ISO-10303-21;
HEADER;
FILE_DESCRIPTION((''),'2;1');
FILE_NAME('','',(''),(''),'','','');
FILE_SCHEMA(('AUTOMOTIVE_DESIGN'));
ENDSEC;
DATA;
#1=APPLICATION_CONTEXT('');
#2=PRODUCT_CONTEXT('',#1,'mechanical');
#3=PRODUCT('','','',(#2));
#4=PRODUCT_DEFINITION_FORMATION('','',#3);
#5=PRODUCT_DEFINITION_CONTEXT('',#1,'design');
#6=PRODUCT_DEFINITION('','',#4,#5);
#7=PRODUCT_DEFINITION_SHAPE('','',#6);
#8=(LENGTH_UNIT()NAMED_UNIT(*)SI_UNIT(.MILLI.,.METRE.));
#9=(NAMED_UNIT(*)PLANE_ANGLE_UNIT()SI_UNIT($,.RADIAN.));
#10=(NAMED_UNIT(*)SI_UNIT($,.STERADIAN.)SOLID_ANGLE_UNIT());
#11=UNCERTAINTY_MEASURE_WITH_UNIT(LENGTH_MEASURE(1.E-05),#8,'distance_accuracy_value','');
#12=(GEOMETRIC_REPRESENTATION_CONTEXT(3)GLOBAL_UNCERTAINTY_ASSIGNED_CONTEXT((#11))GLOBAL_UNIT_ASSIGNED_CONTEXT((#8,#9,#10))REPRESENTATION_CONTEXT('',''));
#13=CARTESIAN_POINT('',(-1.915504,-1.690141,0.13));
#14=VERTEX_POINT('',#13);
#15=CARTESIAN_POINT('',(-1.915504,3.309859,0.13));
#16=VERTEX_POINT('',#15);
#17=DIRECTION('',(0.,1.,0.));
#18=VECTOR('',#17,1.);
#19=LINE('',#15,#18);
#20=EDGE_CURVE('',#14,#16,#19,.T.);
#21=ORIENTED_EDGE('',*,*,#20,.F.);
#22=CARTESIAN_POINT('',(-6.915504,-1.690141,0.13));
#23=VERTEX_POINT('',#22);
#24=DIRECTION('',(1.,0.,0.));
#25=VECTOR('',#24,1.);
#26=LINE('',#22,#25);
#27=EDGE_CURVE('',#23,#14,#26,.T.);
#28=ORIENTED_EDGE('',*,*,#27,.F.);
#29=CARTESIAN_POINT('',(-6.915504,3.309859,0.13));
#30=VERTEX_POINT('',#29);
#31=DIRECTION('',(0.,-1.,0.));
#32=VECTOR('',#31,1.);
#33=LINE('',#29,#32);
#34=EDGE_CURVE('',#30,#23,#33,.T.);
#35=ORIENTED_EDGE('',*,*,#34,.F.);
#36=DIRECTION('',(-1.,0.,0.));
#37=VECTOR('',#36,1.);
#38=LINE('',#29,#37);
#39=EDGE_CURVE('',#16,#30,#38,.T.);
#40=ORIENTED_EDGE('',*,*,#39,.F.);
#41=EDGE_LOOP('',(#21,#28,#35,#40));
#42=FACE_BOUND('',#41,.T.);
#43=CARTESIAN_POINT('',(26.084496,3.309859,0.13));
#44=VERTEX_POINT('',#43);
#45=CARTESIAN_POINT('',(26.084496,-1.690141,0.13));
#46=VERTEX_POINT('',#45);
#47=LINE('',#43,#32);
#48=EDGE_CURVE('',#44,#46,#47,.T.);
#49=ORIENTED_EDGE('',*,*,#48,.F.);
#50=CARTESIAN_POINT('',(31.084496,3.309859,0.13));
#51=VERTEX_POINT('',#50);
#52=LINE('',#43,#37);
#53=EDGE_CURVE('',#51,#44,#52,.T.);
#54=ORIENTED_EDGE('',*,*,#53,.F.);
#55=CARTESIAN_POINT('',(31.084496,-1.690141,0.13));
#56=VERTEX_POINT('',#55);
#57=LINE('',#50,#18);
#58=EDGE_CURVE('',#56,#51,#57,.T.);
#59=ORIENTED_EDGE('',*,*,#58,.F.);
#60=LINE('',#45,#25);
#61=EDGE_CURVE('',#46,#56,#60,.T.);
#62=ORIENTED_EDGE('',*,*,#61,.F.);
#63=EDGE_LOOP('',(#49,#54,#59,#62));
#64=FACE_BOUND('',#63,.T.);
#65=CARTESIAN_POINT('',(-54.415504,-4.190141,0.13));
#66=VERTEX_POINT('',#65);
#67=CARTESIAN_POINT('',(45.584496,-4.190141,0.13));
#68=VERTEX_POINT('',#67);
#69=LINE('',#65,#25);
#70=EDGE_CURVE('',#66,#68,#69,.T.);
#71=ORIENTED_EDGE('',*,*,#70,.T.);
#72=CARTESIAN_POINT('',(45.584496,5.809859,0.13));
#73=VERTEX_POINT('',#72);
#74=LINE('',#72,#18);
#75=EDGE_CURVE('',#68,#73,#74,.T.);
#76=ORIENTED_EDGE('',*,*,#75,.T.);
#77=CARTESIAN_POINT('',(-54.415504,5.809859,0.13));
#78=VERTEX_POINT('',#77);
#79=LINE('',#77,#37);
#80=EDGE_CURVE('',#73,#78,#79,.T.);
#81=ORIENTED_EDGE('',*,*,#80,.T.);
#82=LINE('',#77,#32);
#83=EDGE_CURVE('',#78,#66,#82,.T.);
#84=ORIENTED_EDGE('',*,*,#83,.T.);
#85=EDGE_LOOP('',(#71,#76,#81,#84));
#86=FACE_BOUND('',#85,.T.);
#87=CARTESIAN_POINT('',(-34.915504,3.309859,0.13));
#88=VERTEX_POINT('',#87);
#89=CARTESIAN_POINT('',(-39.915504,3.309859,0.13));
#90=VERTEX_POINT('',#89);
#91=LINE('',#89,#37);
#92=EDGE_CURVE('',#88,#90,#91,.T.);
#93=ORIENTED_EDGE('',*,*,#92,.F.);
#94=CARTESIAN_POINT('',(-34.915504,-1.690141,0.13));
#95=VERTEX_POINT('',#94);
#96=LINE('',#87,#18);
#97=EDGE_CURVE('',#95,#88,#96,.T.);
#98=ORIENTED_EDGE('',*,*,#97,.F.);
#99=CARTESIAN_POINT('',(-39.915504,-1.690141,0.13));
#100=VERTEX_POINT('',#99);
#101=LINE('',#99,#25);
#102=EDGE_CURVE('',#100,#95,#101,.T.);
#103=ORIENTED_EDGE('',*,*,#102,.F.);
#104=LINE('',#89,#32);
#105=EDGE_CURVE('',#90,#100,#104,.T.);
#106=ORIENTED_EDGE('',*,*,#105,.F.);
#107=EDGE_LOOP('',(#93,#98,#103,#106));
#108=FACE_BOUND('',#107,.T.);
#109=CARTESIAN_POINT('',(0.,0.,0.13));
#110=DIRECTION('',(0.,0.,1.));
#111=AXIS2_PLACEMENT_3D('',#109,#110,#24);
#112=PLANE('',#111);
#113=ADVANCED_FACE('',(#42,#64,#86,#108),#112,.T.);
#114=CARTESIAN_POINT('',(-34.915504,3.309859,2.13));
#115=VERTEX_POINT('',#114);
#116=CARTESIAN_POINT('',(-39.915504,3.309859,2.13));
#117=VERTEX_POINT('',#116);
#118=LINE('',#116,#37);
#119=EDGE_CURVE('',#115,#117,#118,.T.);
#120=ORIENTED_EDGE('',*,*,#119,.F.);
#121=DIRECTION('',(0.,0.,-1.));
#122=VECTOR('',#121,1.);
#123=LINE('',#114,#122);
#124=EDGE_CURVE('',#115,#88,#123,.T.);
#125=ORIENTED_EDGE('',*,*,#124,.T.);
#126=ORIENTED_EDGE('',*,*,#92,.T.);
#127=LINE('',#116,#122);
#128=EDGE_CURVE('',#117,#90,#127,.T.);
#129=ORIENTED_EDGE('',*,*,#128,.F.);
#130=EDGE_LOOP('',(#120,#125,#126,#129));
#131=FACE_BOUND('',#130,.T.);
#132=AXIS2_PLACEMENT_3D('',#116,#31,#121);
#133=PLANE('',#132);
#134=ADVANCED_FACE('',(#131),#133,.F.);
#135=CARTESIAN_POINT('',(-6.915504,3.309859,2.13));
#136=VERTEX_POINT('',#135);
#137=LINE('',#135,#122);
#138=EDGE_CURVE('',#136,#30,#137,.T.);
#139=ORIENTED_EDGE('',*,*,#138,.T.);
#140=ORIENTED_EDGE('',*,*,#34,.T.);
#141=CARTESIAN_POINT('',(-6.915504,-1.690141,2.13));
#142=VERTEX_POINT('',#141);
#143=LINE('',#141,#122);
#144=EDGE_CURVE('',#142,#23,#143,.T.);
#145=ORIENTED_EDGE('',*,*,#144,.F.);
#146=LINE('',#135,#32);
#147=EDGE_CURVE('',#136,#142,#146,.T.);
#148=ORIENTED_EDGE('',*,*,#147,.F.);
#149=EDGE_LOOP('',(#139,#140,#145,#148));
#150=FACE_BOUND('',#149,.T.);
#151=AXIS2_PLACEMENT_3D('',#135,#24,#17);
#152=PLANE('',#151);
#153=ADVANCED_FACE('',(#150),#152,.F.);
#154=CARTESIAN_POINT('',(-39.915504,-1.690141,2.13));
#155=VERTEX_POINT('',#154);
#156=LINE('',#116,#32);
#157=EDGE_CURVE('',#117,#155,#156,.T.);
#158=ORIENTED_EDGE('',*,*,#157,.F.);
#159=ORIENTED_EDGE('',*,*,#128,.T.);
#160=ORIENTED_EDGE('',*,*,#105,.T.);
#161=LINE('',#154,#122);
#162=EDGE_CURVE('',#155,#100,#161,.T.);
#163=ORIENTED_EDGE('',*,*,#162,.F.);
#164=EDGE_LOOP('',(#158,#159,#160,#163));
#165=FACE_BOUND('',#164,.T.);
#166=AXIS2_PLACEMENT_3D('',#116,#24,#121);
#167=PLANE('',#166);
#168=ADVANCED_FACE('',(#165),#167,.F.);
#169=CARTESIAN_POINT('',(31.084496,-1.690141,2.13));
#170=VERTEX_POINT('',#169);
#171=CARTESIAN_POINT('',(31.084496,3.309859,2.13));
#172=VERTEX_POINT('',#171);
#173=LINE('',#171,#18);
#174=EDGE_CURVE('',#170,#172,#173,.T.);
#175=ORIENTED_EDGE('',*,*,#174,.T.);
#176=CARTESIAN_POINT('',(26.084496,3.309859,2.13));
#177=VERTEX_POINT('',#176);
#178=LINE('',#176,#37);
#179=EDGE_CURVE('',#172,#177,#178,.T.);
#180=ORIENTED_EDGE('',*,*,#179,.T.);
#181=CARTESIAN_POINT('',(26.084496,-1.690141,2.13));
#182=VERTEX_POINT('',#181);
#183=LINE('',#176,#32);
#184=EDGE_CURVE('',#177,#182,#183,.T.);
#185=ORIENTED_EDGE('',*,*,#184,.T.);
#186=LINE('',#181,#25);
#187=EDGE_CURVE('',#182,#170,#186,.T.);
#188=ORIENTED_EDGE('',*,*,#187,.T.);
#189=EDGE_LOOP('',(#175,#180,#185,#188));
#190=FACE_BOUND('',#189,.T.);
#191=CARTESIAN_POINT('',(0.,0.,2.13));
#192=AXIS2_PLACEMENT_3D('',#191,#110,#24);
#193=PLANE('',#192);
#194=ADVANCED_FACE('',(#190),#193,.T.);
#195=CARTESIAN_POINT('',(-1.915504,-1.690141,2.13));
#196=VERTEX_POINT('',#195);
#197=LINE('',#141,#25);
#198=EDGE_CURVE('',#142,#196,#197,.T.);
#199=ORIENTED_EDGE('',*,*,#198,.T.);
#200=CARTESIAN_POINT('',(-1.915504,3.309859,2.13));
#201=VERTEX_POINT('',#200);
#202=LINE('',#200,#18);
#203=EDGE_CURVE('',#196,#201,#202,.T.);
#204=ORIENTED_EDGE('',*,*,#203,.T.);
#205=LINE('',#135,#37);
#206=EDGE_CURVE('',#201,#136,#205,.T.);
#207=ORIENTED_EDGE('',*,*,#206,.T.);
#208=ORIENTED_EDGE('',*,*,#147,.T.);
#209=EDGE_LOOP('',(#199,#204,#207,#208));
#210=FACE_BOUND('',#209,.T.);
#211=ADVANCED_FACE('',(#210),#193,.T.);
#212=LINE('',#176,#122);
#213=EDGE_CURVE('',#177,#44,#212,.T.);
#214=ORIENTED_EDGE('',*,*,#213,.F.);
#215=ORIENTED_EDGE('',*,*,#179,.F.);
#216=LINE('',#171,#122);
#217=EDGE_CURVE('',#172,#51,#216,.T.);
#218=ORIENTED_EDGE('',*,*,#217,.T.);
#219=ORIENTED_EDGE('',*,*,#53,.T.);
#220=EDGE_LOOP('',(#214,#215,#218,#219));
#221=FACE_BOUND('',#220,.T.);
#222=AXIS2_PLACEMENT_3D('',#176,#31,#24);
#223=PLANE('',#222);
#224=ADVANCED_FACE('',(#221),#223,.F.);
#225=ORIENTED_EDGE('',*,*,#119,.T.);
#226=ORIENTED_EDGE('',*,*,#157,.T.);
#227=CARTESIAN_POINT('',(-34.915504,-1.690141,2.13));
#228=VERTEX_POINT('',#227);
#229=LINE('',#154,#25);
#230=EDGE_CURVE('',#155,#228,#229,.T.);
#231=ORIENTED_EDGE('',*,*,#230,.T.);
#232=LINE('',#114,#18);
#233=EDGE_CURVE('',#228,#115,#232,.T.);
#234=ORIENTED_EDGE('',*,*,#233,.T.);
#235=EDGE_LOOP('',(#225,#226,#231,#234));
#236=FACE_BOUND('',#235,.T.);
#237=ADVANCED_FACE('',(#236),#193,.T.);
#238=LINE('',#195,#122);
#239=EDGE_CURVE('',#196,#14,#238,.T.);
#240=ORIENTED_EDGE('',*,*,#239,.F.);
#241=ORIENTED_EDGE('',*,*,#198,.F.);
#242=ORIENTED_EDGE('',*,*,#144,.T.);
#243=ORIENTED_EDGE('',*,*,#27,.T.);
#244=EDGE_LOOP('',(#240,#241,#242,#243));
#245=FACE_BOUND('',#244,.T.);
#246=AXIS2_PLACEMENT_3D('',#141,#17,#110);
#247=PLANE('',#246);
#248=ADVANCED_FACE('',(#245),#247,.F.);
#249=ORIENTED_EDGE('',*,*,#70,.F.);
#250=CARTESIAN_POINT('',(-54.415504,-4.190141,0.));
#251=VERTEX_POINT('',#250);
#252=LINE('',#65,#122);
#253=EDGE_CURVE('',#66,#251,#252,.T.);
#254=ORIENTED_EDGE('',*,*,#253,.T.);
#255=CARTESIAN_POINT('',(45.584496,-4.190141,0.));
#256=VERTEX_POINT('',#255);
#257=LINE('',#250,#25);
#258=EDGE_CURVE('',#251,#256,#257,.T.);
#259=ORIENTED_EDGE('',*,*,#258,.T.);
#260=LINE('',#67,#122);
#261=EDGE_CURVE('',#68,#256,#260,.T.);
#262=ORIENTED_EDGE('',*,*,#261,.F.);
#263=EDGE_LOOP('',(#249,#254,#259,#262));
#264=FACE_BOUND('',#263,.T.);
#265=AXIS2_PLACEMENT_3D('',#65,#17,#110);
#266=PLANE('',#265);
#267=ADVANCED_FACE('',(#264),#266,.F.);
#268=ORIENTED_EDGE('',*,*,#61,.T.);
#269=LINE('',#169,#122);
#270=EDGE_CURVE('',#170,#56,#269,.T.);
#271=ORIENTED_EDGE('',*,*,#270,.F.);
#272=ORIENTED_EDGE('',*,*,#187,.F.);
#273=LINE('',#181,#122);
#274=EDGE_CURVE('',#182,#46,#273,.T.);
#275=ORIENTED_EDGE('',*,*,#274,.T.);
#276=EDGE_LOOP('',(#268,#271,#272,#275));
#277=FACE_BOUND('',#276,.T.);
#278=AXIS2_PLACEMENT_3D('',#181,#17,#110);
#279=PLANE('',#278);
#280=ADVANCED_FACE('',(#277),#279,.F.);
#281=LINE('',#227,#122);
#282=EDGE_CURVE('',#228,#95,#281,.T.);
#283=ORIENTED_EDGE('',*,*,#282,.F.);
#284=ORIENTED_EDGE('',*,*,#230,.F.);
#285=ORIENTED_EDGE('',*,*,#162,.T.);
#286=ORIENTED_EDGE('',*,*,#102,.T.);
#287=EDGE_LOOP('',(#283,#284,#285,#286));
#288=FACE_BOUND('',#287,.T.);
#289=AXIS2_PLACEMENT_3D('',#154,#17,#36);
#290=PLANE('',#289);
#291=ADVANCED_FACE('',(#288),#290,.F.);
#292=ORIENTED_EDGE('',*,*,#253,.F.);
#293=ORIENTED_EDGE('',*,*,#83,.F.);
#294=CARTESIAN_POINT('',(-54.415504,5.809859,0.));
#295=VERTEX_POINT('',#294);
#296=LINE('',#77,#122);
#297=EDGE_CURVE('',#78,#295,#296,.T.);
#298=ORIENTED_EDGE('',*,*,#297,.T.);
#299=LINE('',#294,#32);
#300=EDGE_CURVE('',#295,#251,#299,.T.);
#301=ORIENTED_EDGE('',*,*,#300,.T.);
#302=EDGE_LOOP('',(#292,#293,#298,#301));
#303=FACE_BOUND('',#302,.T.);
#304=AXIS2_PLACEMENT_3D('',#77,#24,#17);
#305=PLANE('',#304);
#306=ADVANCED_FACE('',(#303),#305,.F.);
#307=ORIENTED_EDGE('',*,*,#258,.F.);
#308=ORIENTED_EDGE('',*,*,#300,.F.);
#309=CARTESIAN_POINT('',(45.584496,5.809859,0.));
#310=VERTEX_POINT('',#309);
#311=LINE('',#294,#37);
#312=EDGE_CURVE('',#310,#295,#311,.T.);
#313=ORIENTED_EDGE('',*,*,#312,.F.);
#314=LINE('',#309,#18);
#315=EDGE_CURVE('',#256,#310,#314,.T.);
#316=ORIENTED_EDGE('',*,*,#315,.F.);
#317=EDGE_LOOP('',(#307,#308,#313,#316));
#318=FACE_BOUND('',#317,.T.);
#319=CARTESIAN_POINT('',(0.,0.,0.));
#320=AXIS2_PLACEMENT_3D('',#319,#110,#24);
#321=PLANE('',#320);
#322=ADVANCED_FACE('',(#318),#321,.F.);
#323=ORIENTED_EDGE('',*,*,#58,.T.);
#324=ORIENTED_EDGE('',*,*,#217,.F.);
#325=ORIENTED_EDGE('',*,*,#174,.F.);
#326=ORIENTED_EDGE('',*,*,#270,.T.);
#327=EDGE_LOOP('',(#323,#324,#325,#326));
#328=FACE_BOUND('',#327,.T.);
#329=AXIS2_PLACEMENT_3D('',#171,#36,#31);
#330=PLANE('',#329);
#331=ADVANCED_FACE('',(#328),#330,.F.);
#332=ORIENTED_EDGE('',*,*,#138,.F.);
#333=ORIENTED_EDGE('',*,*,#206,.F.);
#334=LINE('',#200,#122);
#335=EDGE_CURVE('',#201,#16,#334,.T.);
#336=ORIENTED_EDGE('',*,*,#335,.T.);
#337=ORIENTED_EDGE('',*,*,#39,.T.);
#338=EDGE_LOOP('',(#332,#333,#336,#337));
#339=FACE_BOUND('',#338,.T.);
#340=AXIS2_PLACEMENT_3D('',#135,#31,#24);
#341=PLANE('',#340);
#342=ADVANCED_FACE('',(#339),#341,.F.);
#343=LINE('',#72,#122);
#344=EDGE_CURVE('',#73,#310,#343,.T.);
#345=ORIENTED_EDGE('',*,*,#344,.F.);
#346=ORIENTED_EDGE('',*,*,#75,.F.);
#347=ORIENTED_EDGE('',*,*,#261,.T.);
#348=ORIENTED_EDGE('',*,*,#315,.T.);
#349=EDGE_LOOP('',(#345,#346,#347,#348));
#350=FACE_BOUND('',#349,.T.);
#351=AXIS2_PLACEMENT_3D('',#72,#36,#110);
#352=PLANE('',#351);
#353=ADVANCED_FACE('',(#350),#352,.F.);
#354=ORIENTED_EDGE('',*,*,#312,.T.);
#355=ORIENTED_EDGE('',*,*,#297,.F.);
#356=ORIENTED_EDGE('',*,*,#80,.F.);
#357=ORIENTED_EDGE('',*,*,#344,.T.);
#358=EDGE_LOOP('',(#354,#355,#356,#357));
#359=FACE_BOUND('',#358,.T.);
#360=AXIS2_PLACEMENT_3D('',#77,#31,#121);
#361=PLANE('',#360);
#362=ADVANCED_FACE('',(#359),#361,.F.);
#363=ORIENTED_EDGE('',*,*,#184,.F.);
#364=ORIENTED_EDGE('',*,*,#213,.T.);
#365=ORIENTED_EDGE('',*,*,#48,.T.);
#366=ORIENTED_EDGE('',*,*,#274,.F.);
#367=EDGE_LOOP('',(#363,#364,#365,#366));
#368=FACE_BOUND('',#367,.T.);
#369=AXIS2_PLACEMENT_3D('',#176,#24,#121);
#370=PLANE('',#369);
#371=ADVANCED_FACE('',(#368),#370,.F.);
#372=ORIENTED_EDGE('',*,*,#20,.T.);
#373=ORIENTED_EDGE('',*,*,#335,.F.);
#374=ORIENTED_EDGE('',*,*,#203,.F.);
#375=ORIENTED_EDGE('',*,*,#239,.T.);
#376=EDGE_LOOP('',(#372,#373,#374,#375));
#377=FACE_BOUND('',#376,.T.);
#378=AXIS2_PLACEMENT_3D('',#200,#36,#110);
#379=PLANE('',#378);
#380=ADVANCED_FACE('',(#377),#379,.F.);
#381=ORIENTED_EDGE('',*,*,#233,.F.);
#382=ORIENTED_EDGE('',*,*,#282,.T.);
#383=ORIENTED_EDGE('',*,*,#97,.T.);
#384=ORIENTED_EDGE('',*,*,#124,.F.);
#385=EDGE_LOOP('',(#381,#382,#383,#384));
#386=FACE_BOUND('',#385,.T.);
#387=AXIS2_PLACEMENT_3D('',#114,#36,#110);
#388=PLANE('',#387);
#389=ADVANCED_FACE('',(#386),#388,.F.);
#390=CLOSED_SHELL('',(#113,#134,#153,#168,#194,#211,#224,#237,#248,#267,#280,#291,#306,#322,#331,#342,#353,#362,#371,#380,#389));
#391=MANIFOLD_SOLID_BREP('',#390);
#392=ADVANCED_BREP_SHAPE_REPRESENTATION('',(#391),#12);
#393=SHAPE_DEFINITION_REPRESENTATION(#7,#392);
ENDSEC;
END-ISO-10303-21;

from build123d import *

# Parameters (mm, degrees)
CROQUIS1_W              = 100
CROQUIS1_H              = 10
SALIENTE_EXTRUIR1_DEPTH = 0.13
CROQUIS2_W              = 5
CROQUIS2_H              = 5
SALIENTE_EXTRUIR2_DEPTH = 2


with BuildPart() as part:
    # Croquis1 → Saliente-Extruir1 (new body)
    with BuildSketch(Plane.XY):
        with Locations((-4.415504013, 0.809859155)):
            Rectangle(CROQUIS1_W, CROQUIS1_H)
    extrude(amount=SALIENTE_EXTRUIR1_DEPTH)

    # Croquis2 → Saliente-Extruir2 (add)
    with BuildSketch(Plane.XY.offset(0.13)):
        with Locations((-37.415504013, 0.809859155)):
            Rectangle(CROQUIS2_W, CROQUIS2_H)
        with Locations((-4.415504013, 0.809859155)):
            Rectangle(CROQUIS2_W, CROQUIS2_H)
        with Locations((28.584495987, 0.809859155)):
            Rectangle(CROQUIS2_W, CROQUIS2_H)
    extrude(amount=SALIENTE_EXTRUIR2_DEPTH)


solid = part.part
